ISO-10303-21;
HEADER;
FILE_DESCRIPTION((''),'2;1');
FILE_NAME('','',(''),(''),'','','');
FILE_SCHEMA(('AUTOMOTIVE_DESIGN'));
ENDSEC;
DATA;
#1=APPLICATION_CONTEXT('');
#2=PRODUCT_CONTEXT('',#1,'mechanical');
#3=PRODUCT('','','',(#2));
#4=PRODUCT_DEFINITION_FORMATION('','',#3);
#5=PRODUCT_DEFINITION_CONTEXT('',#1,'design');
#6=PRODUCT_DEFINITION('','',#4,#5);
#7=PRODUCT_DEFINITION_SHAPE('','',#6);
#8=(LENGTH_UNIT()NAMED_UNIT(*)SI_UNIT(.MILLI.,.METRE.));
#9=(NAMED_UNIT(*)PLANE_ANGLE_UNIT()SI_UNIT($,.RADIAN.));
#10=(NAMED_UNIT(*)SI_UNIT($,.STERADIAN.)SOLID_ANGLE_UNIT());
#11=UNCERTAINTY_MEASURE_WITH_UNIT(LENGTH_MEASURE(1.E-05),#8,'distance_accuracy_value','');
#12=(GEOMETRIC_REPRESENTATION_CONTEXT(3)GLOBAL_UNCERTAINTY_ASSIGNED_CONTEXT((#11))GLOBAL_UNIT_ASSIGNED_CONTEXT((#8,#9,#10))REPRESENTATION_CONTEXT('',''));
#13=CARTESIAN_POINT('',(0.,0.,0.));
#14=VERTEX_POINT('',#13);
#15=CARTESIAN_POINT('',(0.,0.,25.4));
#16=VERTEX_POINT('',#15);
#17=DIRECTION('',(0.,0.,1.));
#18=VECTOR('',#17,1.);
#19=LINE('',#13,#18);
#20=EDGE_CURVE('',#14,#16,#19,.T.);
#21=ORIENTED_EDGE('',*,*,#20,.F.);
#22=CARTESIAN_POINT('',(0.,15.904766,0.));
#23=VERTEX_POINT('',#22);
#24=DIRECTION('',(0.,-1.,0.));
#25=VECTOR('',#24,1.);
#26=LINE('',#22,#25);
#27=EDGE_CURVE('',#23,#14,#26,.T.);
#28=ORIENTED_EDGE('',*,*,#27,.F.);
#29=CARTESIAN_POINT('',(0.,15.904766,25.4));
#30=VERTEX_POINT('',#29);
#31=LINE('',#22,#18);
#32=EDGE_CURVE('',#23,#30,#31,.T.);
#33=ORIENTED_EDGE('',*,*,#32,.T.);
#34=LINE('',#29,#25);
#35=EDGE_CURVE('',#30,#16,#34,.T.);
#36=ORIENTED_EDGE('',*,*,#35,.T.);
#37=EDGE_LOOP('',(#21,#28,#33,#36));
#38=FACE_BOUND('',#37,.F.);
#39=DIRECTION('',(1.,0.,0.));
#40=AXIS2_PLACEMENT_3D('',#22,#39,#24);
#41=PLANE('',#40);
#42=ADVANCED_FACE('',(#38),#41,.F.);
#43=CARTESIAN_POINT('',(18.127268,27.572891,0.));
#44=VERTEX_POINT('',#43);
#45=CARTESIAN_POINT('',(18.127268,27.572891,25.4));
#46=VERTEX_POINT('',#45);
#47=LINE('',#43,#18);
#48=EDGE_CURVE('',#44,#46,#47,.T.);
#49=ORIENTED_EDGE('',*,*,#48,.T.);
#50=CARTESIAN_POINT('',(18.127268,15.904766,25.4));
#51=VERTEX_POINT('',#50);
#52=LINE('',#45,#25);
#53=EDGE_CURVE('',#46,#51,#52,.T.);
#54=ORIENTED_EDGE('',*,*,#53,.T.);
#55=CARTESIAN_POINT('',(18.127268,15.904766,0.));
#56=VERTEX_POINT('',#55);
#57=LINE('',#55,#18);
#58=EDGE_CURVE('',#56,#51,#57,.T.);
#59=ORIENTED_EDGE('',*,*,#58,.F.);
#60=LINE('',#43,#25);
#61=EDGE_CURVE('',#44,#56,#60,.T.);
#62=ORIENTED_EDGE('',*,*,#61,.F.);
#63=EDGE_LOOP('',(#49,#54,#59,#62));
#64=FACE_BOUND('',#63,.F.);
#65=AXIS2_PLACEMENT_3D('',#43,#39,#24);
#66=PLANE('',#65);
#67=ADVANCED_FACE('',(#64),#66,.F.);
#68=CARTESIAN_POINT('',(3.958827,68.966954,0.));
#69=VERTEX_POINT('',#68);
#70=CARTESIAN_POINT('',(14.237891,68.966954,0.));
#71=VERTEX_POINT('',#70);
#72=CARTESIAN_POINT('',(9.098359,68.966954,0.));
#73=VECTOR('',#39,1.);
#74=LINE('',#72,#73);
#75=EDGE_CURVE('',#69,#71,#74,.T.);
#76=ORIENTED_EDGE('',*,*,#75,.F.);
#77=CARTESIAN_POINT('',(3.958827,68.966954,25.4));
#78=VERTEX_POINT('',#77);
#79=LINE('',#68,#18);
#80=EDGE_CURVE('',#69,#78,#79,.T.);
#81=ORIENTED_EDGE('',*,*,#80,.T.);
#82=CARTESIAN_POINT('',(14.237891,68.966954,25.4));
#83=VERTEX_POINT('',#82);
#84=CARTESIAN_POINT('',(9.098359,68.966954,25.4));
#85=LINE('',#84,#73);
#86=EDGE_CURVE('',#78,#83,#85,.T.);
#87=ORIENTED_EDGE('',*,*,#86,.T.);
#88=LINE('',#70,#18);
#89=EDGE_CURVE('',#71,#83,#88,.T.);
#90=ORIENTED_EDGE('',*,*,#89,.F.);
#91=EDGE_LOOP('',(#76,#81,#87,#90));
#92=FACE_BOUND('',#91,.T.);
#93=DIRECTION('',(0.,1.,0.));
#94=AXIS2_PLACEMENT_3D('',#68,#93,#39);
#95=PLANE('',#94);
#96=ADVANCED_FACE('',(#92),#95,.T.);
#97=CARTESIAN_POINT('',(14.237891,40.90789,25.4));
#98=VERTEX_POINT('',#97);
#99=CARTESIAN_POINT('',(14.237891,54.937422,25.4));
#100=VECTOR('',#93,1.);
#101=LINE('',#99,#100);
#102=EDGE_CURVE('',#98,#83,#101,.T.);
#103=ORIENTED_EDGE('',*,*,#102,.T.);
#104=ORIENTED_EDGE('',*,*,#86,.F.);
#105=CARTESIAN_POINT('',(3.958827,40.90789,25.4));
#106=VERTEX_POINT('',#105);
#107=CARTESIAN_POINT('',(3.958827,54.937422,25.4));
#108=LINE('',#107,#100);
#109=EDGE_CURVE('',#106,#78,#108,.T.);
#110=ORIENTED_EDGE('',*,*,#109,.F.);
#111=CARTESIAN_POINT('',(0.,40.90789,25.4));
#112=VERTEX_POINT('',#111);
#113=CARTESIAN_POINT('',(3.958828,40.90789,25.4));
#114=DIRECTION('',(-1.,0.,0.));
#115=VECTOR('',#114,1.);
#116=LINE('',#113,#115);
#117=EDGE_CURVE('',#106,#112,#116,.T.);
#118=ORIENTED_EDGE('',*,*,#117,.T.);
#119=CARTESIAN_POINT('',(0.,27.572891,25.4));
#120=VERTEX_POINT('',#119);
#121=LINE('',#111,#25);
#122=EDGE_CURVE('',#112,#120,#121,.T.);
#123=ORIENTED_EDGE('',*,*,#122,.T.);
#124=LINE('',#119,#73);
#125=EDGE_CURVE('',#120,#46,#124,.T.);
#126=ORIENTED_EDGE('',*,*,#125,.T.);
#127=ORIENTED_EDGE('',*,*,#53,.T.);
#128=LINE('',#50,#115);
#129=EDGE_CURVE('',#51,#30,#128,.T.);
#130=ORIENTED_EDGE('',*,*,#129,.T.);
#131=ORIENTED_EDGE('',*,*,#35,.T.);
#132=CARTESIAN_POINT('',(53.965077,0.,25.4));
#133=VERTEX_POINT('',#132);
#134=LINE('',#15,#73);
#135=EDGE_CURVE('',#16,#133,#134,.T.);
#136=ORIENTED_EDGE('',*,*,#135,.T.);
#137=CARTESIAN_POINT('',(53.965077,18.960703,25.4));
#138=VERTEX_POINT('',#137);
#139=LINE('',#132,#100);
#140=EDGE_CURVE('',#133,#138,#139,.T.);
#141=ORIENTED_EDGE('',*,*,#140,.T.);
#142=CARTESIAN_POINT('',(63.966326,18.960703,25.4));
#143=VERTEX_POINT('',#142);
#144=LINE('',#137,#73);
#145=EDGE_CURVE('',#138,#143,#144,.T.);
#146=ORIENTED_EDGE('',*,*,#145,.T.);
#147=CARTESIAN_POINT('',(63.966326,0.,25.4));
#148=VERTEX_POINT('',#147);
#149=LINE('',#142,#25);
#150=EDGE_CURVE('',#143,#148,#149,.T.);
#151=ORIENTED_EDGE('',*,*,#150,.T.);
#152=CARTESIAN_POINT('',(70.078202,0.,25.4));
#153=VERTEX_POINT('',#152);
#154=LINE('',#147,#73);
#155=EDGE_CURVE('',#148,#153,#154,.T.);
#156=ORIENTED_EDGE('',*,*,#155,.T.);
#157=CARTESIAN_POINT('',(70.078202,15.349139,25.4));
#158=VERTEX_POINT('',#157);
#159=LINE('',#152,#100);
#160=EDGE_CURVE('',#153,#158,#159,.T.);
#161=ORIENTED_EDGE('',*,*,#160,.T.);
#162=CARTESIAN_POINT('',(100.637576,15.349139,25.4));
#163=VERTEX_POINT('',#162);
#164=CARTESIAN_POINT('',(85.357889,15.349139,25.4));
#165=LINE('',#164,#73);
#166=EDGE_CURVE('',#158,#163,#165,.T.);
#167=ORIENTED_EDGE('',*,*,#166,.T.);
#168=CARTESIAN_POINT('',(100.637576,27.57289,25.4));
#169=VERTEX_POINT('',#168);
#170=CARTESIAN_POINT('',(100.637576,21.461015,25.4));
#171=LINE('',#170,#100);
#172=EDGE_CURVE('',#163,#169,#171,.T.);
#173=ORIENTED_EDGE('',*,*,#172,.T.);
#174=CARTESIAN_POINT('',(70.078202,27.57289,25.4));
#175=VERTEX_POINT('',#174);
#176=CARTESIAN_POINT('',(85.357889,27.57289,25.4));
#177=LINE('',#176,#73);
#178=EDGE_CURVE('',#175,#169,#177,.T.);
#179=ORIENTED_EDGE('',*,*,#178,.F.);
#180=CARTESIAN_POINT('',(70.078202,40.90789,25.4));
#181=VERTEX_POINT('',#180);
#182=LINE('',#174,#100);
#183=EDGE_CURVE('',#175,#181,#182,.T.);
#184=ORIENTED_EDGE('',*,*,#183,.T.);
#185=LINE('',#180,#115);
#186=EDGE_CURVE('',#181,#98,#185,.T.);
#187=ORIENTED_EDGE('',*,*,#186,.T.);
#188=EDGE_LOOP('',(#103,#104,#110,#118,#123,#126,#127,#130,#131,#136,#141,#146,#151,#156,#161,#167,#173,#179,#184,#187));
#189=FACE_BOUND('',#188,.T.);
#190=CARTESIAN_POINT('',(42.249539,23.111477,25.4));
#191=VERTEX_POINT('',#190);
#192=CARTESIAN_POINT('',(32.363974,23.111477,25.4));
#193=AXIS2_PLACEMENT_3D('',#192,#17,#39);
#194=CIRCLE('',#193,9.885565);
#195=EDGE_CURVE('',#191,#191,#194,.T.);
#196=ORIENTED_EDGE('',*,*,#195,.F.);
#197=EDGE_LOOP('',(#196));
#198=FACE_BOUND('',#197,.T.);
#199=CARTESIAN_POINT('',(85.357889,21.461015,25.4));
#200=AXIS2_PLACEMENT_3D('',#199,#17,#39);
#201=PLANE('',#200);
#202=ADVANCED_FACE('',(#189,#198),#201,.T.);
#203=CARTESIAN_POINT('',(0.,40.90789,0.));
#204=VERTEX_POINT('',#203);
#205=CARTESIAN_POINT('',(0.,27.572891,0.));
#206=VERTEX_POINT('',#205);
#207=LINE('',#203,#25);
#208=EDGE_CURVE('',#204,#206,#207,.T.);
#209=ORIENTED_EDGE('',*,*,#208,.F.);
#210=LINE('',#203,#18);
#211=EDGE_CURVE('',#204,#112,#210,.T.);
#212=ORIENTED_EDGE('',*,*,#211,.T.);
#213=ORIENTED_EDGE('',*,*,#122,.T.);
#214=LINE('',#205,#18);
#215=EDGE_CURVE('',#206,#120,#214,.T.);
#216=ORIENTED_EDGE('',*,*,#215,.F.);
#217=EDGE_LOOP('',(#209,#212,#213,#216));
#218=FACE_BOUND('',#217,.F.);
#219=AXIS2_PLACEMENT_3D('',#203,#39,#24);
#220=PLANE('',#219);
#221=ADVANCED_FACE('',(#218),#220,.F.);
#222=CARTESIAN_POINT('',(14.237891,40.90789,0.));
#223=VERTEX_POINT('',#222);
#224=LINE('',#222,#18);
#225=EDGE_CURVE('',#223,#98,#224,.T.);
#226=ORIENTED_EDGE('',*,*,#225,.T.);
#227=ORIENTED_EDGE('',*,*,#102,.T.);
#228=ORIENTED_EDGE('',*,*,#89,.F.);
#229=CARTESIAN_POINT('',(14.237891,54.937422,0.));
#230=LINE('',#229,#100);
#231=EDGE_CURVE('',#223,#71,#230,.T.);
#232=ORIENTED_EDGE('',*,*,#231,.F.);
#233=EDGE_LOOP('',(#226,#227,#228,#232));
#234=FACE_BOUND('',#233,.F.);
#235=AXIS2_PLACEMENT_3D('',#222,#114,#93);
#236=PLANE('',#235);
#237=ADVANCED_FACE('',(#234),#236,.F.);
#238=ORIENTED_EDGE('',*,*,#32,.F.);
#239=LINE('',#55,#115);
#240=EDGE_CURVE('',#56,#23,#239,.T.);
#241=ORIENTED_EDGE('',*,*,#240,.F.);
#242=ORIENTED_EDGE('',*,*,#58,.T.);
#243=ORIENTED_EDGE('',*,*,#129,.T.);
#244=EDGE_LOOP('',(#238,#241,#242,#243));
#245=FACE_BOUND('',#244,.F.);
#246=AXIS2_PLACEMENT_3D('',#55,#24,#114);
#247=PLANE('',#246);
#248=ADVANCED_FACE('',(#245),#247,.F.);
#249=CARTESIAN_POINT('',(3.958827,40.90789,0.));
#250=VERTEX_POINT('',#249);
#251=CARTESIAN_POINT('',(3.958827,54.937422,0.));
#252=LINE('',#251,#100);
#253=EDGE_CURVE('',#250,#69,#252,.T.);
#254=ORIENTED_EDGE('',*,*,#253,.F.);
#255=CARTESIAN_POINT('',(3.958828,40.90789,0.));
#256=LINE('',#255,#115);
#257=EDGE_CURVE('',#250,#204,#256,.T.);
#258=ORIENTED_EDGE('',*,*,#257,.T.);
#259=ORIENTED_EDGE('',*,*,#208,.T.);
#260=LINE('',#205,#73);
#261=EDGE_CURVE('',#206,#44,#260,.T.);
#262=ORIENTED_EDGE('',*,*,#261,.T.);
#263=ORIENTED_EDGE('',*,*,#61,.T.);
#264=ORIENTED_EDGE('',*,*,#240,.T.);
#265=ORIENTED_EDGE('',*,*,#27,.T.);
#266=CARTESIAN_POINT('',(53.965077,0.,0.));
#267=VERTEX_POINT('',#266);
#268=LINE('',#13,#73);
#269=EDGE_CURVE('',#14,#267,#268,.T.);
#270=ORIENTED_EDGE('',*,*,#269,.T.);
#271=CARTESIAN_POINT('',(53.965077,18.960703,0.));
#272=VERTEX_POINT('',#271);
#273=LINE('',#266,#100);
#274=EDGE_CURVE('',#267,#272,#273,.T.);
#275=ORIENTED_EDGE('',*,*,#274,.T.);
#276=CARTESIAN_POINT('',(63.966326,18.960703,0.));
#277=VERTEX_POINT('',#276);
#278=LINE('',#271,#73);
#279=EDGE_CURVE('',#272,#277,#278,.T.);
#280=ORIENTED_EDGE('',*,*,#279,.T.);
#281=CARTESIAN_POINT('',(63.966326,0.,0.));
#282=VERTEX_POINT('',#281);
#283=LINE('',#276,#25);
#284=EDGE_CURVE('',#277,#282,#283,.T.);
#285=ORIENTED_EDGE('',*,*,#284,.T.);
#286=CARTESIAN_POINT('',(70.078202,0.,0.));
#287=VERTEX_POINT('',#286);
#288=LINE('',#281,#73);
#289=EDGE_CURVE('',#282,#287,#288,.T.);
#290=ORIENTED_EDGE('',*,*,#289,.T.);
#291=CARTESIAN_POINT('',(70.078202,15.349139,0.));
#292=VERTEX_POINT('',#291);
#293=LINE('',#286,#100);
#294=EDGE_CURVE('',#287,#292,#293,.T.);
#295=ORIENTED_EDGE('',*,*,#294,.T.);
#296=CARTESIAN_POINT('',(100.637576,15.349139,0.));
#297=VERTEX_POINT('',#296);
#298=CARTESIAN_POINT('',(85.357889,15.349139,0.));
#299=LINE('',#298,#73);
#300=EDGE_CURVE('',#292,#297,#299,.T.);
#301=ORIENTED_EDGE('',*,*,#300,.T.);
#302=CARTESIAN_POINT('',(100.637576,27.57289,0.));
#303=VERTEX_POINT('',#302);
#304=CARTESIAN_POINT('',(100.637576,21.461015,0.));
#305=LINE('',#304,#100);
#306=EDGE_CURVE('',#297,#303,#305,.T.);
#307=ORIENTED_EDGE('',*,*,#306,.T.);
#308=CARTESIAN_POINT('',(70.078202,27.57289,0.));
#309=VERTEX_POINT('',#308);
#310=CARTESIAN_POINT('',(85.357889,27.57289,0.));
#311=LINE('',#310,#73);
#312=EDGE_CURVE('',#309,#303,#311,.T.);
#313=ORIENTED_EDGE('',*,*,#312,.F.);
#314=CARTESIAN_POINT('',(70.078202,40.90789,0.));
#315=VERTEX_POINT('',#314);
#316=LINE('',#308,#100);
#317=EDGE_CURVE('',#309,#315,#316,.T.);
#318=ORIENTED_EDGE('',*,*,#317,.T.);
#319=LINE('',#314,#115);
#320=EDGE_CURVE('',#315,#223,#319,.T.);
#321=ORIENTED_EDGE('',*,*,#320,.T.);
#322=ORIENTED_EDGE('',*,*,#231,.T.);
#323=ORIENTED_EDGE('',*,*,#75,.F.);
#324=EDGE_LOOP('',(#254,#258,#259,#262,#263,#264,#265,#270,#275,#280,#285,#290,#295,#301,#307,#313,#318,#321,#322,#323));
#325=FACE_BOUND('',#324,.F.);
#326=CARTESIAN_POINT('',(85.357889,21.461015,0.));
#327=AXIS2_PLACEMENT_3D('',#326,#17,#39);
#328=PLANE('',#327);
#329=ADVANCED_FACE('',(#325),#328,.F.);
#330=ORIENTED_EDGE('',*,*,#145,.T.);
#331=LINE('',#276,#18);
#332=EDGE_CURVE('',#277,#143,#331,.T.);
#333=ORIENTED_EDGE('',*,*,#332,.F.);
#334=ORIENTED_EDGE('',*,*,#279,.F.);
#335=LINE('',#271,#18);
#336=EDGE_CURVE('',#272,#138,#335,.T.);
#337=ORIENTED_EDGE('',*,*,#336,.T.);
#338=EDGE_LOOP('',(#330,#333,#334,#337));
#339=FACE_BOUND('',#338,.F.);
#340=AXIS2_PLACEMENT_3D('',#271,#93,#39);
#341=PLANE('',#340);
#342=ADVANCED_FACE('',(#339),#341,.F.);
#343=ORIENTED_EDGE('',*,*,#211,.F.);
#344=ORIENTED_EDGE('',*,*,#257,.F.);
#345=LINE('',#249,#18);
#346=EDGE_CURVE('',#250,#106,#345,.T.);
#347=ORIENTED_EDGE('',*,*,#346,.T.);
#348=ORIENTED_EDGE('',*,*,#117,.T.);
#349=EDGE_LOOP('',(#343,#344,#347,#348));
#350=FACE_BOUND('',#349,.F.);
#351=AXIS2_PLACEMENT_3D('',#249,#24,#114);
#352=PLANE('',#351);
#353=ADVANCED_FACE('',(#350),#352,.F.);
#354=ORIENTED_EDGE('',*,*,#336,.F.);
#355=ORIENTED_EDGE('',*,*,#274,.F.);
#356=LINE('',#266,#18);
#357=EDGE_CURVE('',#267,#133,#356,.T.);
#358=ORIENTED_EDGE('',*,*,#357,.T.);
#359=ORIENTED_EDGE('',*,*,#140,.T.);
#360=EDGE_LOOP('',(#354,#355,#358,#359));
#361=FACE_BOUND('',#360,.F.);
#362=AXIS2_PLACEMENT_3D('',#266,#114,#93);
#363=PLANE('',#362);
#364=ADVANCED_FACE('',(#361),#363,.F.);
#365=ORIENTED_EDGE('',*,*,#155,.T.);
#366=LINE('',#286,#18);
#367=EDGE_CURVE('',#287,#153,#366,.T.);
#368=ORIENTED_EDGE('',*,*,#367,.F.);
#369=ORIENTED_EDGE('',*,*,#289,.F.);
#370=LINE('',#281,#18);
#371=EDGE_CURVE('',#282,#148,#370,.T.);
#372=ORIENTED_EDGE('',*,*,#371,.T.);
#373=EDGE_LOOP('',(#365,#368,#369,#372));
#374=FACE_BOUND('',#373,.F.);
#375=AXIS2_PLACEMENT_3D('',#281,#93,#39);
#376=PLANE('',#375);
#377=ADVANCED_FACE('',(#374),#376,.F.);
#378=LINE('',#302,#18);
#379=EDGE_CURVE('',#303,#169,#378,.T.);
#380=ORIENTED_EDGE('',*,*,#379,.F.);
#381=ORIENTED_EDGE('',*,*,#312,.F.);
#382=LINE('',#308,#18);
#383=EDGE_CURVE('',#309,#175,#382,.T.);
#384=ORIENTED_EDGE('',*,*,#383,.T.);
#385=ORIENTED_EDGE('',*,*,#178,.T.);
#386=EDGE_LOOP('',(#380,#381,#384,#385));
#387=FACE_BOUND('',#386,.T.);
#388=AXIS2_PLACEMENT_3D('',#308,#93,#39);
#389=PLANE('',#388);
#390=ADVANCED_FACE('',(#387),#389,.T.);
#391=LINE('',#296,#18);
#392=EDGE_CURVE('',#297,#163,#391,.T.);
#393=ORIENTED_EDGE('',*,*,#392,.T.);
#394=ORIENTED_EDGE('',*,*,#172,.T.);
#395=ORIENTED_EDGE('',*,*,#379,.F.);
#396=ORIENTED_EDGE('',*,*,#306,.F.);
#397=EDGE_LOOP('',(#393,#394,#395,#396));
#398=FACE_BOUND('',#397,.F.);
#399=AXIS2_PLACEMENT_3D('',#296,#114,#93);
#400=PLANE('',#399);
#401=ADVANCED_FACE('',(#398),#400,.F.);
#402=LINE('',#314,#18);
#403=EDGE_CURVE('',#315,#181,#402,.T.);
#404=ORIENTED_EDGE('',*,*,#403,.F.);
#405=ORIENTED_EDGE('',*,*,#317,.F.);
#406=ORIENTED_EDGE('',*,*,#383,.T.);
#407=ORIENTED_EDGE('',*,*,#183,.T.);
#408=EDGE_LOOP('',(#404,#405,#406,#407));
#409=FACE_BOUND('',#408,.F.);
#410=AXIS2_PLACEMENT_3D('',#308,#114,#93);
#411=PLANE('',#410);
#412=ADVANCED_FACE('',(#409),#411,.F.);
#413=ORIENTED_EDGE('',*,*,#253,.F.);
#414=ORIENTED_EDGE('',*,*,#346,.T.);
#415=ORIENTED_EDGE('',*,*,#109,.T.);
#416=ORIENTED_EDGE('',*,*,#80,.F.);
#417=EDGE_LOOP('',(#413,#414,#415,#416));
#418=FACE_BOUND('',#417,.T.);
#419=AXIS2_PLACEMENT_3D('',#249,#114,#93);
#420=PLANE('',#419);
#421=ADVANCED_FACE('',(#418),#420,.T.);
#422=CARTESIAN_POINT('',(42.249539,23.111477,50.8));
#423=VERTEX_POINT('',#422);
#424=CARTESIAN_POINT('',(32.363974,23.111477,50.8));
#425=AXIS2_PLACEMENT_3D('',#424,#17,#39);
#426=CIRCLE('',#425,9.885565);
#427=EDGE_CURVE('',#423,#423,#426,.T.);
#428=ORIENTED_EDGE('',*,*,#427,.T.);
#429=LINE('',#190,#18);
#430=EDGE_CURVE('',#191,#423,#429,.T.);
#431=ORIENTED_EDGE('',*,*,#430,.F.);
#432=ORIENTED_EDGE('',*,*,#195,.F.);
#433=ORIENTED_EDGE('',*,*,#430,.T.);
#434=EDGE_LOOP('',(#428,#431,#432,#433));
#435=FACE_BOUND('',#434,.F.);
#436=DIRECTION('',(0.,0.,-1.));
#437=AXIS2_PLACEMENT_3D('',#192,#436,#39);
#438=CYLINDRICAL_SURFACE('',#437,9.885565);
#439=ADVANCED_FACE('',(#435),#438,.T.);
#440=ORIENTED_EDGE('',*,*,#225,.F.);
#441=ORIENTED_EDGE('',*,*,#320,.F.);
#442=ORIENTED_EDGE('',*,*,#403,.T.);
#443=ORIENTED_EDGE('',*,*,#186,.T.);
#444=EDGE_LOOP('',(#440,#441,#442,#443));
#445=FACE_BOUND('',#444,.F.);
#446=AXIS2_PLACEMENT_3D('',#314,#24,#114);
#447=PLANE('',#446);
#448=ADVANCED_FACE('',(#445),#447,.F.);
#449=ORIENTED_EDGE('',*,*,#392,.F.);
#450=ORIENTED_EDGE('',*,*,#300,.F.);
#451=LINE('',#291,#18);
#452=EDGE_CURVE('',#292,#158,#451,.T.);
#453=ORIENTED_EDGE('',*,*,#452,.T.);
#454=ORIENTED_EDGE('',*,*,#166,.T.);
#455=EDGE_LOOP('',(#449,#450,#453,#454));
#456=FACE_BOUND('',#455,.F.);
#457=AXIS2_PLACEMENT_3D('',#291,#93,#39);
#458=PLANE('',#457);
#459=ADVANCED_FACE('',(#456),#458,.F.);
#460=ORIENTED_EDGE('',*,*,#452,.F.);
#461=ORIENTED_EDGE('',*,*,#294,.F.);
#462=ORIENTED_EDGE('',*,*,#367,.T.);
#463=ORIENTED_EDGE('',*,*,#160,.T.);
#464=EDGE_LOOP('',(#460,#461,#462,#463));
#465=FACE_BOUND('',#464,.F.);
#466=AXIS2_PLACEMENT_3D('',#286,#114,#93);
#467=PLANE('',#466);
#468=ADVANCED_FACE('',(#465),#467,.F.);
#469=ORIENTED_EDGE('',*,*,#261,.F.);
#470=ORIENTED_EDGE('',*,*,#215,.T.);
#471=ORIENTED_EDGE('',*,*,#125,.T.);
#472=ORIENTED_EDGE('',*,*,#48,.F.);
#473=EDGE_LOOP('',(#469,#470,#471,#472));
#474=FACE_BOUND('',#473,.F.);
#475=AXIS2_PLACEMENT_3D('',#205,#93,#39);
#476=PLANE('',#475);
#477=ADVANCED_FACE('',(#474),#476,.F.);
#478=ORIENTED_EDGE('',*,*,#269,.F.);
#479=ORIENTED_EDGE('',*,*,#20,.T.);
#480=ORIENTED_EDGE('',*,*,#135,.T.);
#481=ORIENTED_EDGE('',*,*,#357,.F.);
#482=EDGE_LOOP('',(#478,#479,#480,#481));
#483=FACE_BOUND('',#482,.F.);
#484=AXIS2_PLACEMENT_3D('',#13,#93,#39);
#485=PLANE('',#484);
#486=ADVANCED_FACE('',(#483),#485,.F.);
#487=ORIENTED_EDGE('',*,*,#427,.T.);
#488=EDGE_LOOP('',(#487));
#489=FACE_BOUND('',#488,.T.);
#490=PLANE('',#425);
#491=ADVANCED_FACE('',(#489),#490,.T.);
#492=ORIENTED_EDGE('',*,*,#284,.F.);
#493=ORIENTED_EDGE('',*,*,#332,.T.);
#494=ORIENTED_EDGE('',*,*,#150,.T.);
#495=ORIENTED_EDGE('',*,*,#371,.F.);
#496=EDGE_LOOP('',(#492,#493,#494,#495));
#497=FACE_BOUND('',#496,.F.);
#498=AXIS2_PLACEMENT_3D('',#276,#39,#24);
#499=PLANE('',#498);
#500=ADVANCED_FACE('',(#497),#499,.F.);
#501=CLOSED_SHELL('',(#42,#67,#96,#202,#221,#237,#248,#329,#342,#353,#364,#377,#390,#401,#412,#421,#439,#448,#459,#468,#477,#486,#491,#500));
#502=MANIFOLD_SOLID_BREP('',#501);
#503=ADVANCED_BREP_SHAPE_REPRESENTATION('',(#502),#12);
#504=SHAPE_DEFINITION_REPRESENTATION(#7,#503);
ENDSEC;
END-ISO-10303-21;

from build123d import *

# Parameters (mm, degrees)
F0_W     = 30.559375
F0_H     = 12.223751
F0_W_2   = 10.279063
F0_H_2   = 28.059065
F1_DEPTH = 25.4
F2_R     = 9.885565
F3_DEPTH = 25.4


with BuildPart() as f1:
    # F0 (on Top) → F1 (new body)
    with BuildSketch(Plane.XY):
        with Locations((85.357889, 21.461015)):
            Rectangle(F0_W, F0_H)
        with Locations((9.098359, 54.937422)):
            Rectangle(F0_W_2, F0_H_2)
        Polygon((0, 15.904766), (0, 0), (53.965077, 0), (53.965077, 18.960703), (63.966326, 18.960703), (63.966326, 0), (70.078202, 0), (70.078202, 15.34914), (70.078202, 27.572891), (70.078202, 40.90789), (14.237891, 40.90789), (3.958828, 40.90789), (0, 40.90789), (0, 27.572891), (18.127268, 27.572891), (18.127268, 15.904766), align=None)
    extrude(amount=F1_DEPTH)

    # F2 (on face) → F3 (join)
    with BuildSketch(Plane.XY.offset(25.4)):
        with Locations((32.363974, 23.111477)):
            Circle(F2_R)
    extrude(amount=F3_DEPTH)


solid = f1.part
